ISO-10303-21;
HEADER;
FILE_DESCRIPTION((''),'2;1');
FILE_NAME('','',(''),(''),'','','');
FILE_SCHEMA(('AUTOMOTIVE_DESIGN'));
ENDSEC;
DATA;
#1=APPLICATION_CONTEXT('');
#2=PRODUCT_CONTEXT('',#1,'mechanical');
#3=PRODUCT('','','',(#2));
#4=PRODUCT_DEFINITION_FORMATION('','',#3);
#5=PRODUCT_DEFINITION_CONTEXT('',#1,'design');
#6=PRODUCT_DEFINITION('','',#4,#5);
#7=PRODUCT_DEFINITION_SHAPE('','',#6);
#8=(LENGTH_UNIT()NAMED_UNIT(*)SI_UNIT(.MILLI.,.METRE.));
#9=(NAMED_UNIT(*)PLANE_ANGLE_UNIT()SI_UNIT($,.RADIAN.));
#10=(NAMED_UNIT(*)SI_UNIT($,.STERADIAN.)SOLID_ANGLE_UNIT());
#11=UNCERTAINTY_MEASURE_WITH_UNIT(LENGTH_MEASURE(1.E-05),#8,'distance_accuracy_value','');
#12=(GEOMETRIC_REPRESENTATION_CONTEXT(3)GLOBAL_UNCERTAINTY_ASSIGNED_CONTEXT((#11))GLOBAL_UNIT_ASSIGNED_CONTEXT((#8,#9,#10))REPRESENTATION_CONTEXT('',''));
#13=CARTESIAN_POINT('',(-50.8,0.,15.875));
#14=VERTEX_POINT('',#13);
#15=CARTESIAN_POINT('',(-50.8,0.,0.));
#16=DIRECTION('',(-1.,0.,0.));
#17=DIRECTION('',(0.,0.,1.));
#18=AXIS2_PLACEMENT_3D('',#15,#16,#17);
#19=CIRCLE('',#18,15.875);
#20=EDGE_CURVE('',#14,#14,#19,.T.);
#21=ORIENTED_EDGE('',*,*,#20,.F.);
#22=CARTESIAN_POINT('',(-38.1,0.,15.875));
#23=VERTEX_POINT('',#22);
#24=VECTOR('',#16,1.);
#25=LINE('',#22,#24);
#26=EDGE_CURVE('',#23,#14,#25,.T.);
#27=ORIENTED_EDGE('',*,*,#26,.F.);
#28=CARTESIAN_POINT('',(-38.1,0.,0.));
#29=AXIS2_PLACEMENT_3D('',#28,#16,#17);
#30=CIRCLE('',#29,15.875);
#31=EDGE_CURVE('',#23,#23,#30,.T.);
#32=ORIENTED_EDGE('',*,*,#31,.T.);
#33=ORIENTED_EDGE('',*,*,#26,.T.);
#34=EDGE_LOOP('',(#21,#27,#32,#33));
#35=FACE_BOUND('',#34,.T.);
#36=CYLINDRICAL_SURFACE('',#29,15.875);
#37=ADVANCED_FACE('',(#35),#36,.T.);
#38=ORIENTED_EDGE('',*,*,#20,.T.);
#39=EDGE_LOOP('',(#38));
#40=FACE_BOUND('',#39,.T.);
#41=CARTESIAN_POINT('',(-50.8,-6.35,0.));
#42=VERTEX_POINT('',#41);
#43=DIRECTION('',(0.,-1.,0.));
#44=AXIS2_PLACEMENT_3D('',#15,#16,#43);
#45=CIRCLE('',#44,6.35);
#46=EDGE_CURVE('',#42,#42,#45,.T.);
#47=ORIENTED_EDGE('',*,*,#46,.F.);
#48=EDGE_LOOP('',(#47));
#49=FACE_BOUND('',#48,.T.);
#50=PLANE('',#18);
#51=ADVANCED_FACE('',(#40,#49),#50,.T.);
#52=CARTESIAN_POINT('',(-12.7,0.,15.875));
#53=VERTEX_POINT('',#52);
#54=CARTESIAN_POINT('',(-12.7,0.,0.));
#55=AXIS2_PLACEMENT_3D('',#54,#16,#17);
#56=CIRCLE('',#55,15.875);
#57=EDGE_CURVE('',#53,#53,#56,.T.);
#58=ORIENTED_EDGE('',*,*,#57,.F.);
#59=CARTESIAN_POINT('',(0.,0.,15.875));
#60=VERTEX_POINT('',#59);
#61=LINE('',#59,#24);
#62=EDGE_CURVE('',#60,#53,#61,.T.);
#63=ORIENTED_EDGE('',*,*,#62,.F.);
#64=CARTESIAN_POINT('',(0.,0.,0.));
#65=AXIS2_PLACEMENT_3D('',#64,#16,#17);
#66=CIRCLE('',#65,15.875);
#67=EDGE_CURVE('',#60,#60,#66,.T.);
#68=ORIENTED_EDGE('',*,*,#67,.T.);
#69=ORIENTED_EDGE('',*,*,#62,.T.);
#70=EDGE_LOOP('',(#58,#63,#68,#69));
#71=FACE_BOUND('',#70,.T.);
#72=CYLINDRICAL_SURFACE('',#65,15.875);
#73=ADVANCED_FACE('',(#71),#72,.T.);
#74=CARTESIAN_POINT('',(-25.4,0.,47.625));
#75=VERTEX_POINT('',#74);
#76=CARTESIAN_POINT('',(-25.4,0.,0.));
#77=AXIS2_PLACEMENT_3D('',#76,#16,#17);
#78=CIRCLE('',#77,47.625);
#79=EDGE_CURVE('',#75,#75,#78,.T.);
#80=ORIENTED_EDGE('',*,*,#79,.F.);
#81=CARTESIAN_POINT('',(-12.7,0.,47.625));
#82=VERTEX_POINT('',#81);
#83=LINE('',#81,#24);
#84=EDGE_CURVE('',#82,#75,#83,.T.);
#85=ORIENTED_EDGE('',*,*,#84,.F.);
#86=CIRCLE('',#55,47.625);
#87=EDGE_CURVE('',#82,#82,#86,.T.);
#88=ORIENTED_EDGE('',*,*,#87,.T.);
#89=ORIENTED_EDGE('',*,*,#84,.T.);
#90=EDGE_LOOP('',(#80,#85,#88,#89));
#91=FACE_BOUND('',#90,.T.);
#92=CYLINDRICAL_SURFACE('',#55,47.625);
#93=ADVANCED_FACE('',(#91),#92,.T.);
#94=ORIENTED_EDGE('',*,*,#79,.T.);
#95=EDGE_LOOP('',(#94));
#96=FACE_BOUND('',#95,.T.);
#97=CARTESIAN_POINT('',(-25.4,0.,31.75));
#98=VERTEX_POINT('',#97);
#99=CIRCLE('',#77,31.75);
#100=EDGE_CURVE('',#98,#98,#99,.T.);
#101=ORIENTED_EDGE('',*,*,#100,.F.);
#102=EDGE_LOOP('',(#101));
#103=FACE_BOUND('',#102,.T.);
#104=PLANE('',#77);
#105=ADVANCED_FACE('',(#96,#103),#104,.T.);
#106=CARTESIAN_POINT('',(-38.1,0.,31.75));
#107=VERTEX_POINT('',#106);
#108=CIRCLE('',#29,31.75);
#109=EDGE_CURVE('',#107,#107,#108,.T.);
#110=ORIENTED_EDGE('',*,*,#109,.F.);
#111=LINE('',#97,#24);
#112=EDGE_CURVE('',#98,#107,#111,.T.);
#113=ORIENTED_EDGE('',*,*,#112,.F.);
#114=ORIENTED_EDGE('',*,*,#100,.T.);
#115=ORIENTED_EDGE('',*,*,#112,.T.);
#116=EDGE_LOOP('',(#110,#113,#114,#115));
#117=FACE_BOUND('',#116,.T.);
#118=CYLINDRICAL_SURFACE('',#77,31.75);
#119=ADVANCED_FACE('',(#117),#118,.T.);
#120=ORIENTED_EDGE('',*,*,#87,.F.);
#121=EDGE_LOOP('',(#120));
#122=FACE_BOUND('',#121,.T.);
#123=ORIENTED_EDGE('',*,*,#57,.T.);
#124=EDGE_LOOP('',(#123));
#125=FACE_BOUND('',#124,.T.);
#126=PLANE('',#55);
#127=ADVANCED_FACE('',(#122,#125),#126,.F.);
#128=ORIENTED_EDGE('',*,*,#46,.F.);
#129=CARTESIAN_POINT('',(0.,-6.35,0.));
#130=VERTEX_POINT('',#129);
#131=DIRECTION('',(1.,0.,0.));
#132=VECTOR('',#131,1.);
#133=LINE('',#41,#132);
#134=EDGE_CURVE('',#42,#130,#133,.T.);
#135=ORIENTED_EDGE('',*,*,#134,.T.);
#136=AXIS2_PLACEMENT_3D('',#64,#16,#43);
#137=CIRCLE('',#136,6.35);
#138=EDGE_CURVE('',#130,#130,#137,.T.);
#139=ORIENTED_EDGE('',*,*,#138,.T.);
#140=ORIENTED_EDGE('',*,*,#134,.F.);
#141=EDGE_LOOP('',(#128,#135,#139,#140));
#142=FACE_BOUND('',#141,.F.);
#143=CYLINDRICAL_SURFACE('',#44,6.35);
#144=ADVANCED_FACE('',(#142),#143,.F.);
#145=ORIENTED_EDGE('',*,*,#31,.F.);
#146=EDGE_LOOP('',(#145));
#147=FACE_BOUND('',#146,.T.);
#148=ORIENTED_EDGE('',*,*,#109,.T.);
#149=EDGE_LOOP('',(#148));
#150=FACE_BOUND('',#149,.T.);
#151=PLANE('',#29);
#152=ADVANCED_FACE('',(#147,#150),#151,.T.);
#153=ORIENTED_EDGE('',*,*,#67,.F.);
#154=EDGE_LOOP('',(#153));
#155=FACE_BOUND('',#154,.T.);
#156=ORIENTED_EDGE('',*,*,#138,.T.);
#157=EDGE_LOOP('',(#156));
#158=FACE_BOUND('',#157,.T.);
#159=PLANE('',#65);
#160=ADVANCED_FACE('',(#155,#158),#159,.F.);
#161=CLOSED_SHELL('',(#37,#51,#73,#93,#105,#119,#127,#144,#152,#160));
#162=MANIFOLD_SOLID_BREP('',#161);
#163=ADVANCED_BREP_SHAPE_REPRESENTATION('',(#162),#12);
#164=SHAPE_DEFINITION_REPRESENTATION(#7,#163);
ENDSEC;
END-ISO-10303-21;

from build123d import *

# Parameters (mm, degrees)
F2_R     = 6.35
F3_DEPTH = 50.8


with BuildPart() as f1:
    # F0 (on Front) → F1 (revolve)
    with BuildSketch(Plane.XZ):
        Polygon((-50.8, 15.875), (-50.8, 0), (0, 0), (0, 15.875), (-12.7, 15.875), (-12.7, 47.625), (-25.4, 47.625), (-25.4, 31.75), (-38.1, 31.75), (-38.1, 15.875), align=None)
    revolve(axis=Axis((-29.969632, 0, 0), (-1, 0, 0)))

    # F2 (on face) → F3 (cut)
    with BuildSketch(Plane(origin=(-50.8, 0, 0), x_dir=(0, -1, 0), z_dir=(-1, 0, 0))):
        Circle(F2_R)
    extrude(amount=-F3_DEPTH, mode=Mode.SUBTRACT)


solid = f1.part
